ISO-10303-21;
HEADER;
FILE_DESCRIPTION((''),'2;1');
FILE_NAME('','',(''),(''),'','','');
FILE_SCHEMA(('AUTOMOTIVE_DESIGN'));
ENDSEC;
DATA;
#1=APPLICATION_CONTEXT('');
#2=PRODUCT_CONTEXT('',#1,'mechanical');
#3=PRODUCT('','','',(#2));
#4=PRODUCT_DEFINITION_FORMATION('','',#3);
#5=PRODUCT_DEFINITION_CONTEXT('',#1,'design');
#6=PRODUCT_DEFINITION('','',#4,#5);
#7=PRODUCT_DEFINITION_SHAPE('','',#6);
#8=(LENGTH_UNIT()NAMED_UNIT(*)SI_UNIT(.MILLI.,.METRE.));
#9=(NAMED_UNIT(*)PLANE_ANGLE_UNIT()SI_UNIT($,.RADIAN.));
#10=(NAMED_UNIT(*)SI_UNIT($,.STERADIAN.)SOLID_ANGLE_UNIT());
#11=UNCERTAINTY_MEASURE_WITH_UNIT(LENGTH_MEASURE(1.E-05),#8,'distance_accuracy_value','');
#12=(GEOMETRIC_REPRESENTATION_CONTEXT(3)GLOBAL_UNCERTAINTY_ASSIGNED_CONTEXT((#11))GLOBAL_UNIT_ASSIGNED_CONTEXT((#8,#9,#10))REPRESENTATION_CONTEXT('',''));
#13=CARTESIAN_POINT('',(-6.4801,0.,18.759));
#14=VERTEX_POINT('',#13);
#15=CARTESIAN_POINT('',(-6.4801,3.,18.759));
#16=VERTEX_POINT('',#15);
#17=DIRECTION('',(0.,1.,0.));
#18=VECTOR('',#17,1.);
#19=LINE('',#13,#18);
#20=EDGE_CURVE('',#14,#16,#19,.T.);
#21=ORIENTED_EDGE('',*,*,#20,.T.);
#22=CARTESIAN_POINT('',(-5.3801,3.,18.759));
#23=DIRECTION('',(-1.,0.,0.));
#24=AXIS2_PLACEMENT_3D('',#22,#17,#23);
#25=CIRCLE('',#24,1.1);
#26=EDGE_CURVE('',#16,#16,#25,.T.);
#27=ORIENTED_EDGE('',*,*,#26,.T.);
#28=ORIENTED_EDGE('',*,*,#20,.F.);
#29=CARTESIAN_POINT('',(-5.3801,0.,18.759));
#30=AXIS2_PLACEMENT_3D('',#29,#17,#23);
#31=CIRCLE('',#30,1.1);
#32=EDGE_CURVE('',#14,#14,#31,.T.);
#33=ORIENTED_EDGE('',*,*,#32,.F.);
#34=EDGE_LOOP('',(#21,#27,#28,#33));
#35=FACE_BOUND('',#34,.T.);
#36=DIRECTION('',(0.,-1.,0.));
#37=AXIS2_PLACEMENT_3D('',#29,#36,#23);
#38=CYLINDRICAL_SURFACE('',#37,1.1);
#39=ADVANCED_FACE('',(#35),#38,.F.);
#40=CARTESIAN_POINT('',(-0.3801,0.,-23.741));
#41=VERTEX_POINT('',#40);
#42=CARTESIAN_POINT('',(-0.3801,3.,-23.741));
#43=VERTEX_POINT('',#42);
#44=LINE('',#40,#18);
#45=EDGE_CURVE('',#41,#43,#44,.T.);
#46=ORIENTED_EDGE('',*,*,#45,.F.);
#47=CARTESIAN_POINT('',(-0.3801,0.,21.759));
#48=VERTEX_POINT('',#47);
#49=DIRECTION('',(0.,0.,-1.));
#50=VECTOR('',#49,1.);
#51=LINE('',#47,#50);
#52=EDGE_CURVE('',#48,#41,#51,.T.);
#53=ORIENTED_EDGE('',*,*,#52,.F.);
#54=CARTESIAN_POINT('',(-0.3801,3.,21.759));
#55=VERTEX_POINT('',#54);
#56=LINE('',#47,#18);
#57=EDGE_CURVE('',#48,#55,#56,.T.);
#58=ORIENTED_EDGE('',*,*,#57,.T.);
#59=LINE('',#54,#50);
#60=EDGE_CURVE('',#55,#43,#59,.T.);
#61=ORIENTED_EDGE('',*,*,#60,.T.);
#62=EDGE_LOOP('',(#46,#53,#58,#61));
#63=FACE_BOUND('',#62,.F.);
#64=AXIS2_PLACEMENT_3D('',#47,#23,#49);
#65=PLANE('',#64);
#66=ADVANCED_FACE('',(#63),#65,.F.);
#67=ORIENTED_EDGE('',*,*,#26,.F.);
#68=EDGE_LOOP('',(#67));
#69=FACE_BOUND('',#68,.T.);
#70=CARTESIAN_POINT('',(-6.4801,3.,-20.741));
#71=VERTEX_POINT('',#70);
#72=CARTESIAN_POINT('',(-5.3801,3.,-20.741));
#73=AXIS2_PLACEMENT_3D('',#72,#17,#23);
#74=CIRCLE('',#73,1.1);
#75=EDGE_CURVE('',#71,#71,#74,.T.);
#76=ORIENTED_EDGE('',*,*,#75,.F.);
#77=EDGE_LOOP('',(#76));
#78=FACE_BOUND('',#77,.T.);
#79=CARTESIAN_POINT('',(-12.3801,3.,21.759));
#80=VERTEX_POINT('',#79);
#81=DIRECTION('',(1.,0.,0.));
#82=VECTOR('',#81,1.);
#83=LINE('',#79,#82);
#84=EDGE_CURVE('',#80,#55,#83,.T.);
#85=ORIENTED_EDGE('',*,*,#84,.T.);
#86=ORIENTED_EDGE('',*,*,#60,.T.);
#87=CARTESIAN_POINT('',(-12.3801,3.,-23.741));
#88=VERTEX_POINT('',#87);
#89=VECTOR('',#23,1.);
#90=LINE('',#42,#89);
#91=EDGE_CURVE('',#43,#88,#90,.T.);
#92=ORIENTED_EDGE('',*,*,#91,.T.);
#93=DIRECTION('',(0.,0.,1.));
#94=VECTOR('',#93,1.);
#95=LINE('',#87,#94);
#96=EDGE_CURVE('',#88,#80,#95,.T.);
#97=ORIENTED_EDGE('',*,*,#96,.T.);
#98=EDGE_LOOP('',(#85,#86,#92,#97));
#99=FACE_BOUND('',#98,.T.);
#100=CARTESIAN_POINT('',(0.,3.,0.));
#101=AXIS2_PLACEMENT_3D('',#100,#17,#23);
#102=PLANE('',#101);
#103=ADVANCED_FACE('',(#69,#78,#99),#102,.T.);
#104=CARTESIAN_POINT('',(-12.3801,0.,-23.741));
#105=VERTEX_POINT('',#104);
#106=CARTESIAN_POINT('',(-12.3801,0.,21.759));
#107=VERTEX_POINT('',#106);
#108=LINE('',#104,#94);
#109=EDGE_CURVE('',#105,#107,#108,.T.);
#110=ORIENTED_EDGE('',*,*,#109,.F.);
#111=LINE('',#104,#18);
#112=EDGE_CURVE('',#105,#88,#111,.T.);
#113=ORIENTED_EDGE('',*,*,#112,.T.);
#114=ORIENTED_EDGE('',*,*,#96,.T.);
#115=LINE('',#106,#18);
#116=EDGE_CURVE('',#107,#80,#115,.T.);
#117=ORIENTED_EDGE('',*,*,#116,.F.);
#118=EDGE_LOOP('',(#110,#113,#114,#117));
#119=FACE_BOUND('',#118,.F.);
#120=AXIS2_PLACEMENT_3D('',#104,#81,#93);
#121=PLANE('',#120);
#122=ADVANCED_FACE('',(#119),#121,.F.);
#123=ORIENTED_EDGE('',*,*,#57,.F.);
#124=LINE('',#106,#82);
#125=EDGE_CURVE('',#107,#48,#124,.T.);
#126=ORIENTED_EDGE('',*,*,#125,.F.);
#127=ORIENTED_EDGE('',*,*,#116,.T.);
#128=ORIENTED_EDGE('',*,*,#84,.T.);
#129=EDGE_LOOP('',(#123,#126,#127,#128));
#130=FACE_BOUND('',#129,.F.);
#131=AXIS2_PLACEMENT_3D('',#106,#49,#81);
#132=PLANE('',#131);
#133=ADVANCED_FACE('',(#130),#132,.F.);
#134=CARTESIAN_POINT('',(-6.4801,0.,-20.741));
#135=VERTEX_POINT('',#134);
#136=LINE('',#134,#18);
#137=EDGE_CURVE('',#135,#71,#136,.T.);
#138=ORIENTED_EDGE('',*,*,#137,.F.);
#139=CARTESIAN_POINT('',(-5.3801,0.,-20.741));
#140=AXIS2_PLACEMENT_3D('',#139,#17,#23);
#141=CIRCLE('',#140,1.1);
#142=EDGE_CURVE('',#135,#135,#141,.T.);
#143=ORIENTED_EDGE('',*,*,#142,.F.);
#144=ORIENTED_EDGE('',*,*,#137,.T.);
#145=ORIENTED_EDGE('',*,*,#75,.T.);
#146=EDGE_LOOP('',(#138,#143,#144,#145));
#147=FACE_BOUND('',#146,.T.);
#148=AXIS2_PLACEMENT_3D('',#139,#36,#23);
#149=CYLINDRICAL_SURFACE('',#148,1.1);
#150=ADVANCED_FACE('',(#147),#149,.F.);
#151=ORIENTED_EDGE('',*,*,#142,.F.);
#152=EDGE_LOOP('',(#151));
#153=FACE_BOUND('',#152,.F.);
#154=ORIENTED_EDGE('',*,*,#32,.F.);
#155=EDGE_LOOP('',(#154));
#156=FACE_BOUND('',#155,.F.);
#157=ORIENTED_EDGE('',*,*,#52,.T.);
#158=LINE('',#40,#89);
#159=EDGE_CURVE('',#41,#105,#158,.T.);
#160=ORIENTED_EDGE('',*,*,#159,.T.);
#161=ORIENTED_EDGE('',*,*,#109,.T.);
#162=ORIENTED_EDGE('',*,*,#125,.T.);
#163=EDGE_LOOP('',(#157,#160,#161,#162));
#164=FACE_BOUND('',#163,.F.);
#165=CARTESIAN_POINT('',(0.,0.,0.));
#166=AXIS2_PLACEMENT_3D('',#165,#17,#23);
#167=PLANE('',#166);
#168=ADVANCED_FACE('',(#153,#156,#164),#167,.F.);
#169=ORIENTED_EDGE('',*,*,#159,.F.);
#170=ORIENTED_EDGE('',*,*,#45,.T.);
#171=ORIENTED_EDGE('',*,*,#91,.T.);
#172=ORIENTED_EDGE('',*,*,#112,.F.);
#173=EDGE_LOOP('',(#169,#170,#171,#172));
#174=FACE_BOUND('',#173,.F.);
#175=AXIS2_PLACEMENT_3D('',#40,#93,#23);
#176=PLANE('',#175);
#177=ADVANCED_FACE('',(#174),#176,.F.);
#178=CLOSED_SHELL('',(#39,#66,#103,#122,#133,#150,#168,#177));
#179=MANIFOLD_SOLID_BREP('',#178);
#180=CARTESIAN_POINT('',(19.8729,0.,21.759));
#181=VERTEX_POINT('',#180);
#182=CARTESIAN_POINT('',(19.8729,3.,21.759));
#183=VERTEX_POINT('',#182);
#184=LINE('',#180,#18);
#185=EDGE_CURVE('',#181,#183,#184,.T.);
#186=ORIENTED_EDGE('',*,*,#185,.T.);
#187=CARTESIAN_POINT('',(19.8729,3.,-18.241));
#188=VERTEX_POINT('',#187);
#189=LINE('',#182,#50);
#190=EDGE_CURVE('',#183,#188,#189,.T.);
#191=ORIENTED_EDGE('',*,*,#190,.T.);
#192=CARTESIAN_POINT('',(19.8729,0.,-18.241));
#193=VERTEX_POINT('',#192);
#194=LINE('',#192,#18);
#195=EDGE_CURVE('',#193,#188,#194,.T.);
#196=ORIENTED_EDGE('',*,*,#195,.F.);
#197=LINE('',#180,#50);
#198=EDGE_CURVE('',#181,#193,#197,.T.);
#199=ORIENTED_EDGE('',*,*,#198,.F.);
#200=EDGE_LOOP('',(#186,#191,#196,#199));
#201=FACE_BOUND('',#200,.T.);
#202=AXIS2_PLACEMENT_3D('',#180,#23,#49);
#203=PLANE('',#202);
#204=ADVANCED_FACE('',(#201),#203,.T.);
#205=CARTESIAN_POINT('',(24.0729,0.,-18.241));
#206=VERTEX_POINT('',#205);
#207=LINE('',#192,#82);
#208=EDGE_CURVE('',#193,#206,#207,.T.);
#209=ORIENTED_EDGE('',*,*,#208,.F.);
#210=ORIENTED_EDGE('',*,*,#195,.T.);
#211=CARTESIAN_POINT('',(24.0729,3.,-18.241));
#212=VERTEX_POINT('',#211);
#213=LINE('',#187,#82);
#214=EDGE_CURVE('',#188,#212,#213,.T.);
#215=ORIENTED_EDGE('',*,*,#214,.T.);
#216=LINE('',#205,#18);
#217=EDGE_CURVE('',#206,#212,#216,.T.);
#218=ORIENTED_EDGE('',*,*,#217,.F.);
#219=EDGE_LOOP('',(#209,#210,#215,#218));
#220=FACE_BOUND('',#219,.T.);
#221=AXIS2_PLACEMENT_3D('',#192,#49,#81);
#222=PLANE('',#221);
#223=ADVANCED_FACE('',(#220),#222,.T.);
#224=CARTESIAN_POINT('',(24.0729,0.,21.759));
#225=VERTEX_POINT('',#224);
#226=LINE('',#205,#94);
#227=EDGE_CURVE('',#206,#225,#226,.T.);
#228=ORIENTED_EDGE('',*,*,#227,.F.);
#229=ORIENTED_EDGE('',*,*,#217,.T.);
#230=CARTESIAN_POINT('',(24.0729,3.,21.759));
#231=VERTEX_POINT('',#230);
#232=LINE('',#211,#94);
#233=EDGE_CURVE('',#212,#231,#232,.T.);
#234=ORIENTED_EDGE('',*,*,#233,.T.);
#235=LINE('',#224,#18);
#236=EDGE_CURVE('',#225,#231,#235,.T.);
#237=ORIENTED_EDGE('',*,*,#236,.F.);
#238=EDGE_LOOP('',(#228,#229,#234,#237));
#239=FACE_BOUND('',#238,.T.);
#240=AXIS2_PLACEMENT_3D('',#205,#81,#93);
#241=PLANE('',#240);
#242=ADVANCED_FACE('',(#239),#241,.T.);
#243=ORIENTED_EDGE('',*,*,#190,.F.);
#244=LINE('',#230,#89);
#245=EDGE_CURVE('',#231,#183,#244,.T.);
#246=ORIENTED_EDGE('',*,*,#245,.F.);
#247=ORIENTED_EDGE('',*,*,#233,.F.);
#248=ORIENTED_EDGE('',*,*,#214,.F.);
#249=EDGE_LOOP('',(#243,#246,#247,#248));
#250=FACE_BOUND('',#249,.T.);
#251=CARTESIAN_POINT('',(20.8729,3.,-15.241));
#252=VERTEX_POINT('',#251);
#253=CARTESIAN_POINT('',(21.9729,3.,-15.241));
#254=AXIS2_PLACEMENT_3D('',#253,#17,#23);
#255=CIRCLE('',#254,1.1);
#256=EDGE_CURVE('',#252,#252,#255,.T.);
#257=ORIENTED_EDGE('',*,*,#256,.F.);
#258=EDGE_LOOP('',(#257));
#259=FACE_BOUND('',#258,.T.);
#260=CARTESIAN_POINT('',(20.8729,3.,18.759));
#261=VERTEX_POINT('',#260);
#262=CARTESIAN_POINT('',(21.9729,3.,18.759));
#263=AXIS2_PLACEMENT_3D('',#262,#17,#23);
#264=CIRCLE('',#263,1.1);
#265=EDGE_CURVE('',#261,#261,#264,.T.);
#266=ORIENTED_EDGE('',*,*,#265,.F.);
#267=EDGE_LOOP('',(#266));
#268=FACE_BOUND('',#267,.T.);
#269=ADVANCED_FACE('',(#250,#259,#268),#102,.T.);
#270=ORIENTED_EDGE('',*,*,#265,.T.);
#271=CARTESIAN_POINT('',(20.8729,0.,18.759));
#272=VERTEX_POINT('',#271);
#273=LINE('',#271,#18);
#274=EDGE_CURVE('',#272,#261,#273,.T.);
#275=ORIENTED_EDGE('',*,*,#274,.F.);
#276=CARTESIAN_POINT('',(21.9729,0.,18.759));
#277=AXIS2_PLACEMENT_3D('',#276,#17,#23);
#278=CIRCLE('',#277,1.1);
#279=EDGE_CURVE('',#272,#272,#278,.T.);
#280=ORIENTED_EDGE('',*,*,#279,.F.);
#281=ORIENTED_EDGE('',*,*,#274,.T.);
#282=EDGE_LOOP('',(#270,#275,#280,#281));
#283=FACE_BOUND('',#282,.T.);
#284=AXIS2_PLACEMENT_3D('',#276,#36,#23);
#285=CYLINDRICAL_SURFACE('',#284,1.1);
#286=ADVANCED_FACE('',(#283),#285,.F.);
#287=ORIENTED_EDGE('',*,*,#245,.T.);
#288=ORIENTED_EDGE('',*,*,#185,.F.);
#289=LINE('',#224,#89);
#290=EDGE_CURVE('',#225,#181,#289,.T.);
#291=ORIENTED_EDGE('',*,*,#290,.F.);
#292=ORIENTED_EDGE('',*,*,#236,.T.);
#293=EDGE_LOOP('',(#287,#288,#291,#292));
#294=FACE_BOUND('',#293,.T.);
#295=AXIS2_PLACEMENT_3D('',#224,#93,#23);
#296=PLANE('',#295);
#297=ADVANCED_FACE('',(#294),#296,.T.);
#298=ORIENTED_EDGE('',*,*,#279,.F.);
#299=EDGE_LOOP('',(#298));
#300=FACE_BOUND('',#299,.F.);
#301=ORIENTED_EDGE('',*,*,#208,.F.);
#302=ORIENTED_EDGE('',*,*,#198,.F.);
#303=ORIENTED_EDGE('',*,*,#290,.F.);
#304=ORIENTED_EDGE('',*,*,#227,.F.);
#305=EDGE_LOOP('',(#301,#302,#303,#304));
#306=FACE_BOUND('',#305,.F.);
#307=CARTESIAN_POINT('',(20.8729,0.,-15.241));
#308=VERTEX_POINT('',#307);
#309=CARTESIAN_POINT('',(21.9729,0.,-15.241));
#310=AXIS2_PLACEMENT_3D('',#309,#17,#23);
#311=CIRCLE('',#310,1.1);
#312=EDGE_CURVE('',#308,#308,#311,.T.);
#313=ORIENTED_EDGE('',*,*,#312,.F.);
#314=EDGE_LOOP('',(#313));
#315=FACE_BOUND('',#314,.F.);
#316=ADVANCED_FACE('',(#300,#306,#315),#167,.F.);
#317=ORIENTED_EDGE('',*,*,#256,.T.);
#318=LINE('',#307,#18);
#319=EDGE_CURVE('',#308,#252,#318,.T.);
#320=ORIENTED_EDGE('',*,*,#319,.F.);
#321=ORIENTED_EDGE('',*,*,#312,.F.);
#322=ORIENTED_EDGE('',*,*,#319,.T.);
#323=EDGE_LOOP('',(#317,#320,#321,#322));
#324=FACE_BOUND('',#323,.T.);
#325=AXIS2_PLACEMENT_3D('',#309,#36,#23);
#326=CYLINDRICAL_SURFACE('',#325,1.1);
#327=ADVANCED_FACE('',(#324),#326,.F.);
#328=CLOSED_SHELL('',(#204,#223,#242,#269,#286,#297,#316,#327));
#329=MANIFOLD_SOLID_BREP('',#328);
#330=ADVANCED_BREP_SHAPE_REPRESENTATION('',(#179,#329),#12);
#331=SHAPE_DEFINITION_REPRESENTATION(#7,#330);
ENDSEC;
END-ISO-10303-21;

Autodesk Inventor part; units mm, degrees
ref_plane "YZ Plane" through (0, 0, 0) normal (1, 0, 0) x (0, 1, 0)
ref_plane "XZ Plane" through (0, 0, 0) normal (0, 1, 0) x (-1, 0, 0)
ref_plane "XY Plane" through (0, 0, 0) normal (0, 0, 1) x (1, 0, 0)
sketch "Эскиз1" plane through (0, 0, 0) normal (0, 1, 0) x (-1, 0, 0)
  line L0 (12.3801, 21.759) -> (0.3801, 21.759)
  line L1 (0.3801, 21.759) -> (0.3801, -23.741)
  line L2 (0.3801, -23.741) -> (12.3801, -23.741)
  line L3 (12.3801, -23.741) -> (12.3801, 21.759)
  line L4 (-24.0729, 21.759) -> (-19.8729, 21.759)
  line L5 (-19.8729, 21.759) -> (-19.8729, -18.241)
  line L6 (-19.8729, -18.241) -> (-24.0729, -18.241)
  line L7 (-24.0729, -18.241) -> (-24.0729, 21.759)
  line L8 (5.3801, 21.759) -> (5.3801, 18.759) construction
  line L9 (5.3801, -23.741) -> (5.3801, -20.741) construction
  line L10 (-21.9729, -18.241) -> (-21.9729, -15.241) construction
  line L11 (-21.9729, 21.759) -> (-21.9729, 18.759) construction
  circle A0 centre (-21.9729, 18.759) radius 1.1
  circle A1 centre (-21.9729, -15.241) radius 1.1
  circle A2 centre (5.3801, 18.759) radius 1.1
  circle A3 centre (5.3801, -20.741) radius 1.1
  point P0 (0, 0)
  dimension "d0" = 45.5
  dimension "d1" = 12
  dimension "d20" = 4.2
  dimension "d21" = 40
  dimension "d22" = 3
  dimension "d23" = 3
  dimension "d24" = 3
  dimension "d25" = 3
  dimension "d26" = 2.2
  dimension "d27" = 2.2
  dimension "d28" = 2.2
  dimension "d29" = 2.2
  dimension "d30" = 5
  dimension "d31" = 5
extrude "Выдавливание1" add sketch "Эскиз1" along normal blind 3
properties part number "1111111"
